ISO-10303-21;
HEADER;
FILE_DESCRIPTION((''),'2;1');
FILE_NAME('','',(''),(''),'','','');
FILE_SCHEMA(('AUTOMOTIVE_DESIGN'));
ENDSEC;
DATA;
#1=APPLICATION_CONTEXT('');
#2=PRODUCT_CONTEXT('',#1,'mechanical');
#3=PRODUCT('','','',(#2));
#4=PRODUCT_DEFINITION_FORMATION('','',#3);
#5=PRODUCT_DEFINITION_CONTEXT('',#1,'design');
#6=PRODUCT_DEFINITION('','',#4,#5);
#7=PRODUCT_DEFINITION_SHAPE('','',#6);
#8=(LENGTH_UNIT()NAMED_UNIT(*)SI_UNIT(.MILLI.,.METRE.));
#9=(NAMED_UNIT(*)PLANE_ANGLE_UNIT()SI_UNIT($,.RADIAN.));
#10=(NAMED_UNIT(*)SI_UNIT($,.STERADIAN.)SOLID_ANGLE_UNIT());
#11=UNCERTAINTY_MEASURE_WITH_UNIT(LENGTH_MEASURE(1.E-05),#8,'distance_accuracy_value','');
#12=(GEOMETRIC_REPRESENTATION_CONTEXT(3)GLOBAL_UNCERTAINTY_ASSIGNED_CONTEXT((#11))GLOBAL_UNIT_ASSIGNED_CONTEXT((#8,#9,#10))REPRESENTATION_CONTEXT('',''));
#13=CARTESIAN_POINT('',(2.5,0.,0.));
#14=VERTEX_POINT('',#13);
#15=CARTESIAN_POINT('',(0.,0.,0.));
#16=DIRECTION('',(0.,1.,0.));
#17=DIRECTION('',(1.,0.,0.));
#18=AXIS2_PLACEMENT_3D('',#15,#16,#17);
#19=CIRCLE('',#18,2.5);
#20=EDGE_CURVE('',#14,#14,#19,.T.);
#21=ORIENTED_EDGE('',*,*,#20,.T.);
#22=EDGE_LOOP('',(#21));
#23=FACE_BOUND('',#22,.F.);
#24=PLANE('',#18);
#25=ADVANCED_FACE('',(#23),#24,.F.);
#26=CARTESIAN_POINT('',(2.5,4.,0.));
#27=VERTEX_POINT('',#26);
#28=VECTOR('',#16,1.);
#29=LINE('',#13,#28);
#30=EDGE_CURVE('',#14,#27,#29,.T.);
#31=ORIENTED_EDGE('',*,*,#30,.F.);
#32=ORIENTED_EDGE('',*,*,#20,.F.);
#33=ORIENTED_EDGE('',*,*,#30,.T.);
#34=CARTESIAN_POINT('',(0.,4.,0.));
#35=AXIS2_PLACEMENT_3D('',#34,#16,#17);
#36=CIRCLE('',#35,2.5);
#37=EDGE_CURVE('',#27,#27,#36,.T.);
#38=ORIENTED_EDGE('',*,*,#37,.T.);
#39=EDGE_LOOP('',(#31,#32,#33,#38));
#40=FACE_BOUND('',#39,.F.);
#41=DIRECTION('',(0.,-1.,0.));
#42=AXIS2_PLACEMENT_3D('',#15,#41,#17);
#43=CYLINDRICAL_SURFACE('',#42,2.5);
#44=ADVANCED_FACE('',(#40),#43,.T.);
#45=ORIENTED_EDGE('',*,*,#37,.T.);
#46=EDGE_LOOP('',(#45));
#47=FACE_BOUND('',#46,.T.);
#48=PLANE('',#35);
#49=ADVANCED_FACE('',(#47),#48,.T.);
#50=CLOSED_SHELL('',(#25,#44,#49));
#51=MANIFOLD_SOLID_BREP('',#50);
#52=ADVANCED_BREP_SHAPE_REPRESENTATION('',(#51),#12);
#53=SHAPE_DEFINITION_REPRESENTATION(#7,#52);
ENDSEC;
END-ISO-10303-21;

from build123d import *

# Parameters (mm, degrees)
SKETCH_1_R      = 2.5
EXTRUDE_1_DEPTH = 4


with BuildPart() as part:
    # 草图1 → 凸台-拉伸1 (new body)
    with BuildSketch(Plane(origin=(0, 0, 0), x_dir=(1, 0, 0), z_dir=(0, 1, 0))):
        Circle(SKETCH_1_R)
    extrude(amount=EXTRUDE_1_DEPTH)


solid = part.part
